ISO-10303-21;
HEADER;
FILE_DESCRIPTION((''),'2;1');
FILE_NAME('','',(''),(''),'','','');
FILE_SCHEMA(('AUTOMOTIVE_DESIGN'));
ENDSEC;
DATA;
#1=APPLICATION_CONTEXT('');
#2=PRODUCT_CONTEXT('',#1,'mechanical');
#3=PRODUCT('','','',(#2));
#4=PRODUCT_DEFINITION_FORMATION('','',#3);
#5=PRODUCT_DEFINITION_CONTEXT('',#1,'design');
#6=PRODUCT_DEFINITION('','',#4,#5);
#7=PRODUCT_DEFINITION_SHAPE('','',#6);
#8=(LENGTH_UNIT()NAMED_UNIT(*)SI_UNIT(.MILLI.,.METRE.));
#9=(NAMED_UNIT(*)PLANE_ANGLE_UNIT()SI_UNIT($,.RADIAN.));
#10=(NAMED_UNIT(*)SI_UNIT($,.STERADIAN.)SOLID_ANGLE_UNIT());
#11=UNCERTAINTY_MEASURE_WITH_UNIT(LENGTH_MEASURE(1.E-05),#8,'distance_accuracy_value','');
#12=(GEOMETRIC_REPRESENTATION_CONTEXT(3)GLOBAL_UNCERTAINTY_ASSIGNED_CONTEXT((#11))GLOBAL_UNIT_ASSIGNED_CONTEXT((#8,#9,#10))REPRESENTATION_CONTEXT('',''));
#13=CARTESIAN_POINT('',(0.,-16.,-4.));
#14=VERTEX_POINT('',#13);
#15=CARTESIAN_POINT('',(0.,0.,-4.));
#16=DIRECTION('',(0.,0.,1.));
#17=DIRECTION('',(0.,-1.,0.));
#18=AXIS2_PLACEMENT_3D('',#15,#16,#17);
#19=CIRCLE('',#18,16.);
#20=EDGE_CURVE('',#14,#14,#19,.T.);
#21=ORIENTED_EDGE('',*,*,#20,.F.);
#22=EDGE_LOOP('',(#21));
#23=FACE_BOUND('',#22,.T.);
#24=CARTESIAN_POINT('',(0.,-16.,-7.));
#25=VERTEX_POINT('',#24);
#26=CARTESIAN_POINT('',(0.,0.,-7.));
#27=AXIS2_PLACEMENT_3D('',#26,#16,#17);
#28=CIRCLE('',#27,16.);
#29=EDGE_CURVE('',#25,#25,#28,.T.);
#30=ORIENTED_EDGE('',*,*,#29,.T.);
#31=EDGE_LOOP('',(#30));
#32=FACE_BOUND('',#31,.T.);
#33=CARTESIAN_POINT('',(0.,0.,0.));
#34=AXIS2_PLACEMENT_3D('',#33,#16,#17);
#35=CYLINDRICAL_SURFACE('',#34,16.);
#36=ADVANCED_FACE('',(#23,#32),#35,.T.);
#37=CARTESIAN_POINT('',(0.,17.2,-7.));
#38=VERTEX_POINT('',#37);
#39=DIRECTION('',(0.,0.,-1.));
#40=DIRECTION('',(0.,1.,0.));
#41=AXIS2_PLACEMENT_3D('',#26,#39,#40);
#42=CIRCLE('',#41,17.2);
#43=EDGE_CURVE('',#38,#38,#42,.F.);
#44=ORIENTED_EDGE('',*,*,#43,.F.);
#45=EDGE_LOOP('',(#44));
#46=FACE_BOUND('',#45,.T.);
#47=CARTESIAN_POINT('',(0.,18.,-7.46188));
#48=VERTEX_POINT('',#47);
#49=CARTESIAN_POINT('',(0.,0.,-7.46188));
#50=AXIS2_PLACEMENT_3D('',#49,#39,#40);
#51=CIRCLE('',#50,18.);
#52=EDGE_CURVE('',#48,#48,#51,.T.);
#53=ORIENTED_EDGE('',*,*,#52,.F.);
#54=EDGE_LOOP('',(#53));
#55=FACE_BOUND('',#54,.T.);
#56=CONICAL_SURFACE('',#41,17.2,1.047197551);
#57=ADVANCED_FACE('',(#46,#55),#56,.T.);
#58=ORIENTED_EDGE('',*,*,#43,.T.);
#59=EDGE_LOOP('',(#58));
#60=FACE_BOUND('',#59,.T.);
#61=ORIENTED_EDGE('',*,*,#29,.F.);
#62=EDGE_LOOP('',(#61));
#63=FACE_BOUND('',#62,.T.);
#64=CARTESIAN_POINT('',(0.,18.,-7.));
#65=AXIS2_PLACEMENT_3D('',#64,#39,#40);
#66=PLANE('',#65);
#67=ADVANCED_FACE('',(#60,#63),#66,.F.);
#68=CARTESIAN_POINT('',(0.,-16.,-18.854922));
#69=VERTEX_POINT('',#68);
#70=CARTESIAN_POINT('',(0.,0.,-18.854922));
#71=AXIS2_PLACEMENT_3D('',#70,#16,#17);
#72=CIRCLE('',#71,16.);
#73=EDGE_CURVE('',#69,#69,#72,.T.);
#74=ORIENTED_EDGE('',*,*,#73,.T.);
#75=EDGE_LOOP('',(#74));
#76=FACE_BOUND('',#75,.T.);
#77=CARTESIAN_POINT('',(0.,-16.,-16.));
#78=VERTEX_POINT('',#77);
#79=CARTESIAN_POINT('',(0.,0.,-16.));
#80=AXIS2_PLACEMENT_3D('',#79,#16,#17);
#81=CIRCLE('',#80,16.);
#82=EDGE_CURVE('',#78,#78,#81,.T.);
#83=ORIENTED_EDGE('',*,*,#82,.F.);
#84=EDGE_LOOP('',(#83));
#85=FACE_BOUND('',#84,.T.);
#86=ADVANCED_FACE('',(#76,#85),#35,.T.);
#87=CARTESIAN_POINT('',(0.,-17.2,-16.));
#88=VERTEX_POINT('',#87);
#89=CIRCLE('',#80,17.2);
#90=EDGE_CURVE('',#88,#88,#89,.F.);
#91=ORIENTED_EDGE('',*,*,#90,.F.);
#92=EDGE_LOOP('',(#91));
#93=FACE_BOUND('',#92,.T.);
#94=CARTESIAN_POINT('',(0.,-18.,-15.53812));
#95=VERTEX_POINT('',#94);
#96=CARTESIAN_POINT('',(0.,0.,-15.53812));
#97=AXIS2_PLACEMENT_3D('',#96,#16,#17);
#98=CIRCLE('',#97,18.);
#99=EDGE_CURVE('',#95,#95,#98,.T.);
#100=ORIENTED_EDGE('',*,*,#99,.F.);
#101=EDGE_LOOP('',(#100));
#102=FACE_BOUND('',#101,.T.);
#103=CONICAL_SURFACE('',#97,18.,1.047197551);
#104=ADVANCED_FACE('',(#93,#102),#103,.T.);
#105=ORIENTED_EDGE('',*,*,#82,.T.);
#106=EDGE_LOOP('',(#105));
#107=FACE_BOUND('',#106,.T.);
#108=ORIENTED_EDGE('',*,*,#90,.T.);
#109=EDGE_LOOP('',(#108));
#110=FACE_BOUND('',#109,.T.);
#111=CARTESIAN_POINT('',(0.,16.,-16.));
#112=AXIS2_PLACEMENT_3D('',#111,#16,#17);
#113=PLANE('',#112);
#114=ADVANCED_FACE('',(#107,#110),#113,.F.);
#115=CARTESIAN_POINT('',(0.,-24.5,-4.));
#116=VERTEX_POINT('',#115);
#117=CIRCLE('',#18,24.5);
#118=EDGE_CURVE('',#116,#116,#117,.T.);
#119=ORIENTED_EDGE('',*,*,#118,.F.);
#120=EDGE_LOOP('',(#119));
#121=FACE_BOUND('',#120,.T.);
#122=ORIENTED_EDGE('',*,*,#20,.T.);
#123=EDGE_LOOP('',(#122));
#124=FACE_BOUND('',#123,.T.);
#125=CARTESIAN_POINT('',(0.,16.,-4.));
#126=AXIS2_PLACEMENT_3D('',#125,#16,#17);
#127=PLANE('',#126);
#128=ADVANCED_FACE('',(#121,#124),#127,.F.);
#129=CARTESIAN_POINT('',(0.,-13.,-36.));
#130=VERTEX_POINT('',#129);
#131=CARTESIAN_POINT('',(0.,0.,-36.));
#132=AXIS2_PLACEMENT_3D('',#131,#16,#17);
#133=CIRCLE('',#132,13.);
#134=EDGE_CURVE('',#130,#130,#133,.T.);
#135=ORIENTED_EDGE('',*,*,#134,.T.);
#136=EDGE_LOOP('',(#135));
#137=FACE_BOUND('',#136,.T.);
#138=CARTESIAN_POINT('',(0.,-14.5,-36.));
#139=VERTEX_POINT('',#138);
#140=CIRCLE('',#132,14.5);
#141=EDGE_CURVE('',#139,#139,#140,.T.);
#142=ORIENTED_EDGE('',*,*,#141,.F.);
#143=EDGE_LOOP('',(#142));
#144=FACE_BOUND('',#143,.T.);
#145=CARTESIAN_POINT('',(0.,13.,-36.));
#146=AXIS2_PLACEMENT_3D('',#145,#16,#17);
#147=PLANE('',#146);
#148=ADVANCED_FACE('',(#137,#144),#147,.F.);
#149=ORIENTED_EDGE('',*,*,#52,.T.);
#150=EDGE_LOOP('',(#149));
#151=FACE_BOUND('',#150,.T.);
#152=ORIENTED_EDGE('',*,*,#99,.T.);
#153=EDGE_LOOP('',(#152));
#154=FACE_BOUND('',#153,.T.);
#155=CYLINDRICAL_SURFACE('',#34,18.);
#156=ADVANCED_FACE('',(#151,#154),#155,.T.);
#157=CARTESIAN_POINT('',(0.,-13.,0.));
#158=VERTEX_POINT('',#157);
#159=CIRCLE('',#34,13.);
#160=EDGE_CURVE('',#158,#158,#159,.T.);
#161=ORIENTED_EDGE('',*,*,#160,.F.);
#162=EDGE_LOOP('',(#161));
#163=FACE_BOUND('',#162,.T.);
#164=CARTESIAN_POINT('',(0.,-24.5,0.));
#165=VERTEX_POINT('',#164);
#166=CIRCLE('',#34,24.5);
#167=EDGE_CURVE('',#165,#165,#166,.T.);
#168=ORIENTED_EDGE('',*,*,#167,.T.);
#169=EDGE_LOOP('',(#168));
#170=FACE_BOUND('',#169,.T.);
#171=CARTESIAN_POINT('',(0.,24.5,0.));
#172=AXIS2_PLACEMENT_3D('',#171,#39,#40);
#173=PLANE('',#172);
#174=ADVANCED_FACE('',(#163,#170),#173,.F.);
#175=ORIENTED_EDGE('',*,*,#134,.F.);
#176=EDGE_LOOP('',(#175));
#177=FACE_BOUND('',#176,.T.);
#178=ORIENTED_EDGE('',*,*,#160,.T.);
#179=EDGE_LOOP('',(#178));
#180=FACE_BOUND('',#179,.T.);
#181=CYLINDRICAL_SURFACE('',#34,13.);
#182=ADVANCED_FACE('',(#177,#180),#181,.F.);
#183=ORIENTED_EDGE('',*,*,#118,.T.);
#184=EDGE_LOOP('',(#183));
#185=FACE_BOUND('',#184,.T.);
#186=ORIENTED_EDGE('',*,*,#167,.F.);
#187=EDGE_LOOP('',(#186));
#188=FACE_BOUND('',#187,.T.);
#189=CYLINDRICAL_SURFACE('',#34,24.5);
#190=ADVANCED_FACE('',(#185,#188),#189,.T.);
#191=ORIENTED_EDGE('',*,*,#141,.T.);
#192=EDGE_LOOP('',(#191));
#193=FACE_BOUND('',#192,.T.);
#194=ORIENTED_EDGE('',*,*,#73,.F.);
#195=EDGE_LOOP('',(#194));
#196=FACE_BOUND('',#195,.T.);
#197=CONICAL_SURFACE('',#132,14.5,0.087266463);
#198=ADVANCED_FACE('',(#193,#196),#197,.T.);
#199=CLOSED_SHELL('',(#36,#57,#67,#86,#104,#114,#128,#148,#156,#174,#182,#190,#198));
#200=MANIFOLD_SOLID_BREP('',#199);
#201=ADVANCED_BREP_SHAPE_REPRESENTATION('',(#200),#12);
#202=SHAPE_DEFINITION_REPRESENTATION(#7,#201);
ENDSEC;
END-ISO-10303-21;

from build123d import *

# Parameters (mm, degrees)
CHAMFER_1_SIZE         = 0.8
CHAMFER_1_SIZE2        = 0.461880215
CHAMFER_1_PART_2_SIZE  = 0.8
CHAMFER_1_PART_2_SIZE2 = 0.461880215


with BuildPart() as part:
    # Эскиз1 → Повернуть1 (revolve)
    with BuildSketch(Plane(origin=(0, 0, 0), x_dir=(0, 0, -1), z_dir=(1, 0, 0))):
        Polygon((0, 13), (36, 13), (36, 14.5), (18.854921546, 16), (16, 16), (16, 18), (7, 18), (7, 16), (4, 16), (4, 24.5), (0, 24.5), align=None)
    revolve(axis=Axis((0, 0, 0), (0, 0, -1)))

    # Фаска1
    chamfer_1_edges = [part.edges().sort_by_distance(p)[0] for p in [
        (0, -18, -7),
    ]]
    chamfer_1_side = [part.faces().sort_by_distance(p)[0] for p in [
        (0, -17.490883118, -7),
    ]]
    chamfer(chamfer_1_edges, length=CHAMFER_1_SIZE, length2=CHAMFER_1_SIZE2, reference=chamfer_1_side[0])

    # Фаска1 part 2
    chamfer_1_part_2_edges = [part.edges().sort_by_distance(p)[0] for p in [
        (0, -18, -16),
    ]]
    chamfer_1_part_2_side = [part.faces().sort_by_distance(p)[0] for p in [
        (0, -16.509116882, -16),
    ]]
    chamfer(chamfer_1_part_2_edges, length=CHAMFER_1_PART_2_SIZE, length2=CHAMFER_1_PART_2_SIZE2, reference=chamfer_1_part_2_side[0])


solid = part.part
